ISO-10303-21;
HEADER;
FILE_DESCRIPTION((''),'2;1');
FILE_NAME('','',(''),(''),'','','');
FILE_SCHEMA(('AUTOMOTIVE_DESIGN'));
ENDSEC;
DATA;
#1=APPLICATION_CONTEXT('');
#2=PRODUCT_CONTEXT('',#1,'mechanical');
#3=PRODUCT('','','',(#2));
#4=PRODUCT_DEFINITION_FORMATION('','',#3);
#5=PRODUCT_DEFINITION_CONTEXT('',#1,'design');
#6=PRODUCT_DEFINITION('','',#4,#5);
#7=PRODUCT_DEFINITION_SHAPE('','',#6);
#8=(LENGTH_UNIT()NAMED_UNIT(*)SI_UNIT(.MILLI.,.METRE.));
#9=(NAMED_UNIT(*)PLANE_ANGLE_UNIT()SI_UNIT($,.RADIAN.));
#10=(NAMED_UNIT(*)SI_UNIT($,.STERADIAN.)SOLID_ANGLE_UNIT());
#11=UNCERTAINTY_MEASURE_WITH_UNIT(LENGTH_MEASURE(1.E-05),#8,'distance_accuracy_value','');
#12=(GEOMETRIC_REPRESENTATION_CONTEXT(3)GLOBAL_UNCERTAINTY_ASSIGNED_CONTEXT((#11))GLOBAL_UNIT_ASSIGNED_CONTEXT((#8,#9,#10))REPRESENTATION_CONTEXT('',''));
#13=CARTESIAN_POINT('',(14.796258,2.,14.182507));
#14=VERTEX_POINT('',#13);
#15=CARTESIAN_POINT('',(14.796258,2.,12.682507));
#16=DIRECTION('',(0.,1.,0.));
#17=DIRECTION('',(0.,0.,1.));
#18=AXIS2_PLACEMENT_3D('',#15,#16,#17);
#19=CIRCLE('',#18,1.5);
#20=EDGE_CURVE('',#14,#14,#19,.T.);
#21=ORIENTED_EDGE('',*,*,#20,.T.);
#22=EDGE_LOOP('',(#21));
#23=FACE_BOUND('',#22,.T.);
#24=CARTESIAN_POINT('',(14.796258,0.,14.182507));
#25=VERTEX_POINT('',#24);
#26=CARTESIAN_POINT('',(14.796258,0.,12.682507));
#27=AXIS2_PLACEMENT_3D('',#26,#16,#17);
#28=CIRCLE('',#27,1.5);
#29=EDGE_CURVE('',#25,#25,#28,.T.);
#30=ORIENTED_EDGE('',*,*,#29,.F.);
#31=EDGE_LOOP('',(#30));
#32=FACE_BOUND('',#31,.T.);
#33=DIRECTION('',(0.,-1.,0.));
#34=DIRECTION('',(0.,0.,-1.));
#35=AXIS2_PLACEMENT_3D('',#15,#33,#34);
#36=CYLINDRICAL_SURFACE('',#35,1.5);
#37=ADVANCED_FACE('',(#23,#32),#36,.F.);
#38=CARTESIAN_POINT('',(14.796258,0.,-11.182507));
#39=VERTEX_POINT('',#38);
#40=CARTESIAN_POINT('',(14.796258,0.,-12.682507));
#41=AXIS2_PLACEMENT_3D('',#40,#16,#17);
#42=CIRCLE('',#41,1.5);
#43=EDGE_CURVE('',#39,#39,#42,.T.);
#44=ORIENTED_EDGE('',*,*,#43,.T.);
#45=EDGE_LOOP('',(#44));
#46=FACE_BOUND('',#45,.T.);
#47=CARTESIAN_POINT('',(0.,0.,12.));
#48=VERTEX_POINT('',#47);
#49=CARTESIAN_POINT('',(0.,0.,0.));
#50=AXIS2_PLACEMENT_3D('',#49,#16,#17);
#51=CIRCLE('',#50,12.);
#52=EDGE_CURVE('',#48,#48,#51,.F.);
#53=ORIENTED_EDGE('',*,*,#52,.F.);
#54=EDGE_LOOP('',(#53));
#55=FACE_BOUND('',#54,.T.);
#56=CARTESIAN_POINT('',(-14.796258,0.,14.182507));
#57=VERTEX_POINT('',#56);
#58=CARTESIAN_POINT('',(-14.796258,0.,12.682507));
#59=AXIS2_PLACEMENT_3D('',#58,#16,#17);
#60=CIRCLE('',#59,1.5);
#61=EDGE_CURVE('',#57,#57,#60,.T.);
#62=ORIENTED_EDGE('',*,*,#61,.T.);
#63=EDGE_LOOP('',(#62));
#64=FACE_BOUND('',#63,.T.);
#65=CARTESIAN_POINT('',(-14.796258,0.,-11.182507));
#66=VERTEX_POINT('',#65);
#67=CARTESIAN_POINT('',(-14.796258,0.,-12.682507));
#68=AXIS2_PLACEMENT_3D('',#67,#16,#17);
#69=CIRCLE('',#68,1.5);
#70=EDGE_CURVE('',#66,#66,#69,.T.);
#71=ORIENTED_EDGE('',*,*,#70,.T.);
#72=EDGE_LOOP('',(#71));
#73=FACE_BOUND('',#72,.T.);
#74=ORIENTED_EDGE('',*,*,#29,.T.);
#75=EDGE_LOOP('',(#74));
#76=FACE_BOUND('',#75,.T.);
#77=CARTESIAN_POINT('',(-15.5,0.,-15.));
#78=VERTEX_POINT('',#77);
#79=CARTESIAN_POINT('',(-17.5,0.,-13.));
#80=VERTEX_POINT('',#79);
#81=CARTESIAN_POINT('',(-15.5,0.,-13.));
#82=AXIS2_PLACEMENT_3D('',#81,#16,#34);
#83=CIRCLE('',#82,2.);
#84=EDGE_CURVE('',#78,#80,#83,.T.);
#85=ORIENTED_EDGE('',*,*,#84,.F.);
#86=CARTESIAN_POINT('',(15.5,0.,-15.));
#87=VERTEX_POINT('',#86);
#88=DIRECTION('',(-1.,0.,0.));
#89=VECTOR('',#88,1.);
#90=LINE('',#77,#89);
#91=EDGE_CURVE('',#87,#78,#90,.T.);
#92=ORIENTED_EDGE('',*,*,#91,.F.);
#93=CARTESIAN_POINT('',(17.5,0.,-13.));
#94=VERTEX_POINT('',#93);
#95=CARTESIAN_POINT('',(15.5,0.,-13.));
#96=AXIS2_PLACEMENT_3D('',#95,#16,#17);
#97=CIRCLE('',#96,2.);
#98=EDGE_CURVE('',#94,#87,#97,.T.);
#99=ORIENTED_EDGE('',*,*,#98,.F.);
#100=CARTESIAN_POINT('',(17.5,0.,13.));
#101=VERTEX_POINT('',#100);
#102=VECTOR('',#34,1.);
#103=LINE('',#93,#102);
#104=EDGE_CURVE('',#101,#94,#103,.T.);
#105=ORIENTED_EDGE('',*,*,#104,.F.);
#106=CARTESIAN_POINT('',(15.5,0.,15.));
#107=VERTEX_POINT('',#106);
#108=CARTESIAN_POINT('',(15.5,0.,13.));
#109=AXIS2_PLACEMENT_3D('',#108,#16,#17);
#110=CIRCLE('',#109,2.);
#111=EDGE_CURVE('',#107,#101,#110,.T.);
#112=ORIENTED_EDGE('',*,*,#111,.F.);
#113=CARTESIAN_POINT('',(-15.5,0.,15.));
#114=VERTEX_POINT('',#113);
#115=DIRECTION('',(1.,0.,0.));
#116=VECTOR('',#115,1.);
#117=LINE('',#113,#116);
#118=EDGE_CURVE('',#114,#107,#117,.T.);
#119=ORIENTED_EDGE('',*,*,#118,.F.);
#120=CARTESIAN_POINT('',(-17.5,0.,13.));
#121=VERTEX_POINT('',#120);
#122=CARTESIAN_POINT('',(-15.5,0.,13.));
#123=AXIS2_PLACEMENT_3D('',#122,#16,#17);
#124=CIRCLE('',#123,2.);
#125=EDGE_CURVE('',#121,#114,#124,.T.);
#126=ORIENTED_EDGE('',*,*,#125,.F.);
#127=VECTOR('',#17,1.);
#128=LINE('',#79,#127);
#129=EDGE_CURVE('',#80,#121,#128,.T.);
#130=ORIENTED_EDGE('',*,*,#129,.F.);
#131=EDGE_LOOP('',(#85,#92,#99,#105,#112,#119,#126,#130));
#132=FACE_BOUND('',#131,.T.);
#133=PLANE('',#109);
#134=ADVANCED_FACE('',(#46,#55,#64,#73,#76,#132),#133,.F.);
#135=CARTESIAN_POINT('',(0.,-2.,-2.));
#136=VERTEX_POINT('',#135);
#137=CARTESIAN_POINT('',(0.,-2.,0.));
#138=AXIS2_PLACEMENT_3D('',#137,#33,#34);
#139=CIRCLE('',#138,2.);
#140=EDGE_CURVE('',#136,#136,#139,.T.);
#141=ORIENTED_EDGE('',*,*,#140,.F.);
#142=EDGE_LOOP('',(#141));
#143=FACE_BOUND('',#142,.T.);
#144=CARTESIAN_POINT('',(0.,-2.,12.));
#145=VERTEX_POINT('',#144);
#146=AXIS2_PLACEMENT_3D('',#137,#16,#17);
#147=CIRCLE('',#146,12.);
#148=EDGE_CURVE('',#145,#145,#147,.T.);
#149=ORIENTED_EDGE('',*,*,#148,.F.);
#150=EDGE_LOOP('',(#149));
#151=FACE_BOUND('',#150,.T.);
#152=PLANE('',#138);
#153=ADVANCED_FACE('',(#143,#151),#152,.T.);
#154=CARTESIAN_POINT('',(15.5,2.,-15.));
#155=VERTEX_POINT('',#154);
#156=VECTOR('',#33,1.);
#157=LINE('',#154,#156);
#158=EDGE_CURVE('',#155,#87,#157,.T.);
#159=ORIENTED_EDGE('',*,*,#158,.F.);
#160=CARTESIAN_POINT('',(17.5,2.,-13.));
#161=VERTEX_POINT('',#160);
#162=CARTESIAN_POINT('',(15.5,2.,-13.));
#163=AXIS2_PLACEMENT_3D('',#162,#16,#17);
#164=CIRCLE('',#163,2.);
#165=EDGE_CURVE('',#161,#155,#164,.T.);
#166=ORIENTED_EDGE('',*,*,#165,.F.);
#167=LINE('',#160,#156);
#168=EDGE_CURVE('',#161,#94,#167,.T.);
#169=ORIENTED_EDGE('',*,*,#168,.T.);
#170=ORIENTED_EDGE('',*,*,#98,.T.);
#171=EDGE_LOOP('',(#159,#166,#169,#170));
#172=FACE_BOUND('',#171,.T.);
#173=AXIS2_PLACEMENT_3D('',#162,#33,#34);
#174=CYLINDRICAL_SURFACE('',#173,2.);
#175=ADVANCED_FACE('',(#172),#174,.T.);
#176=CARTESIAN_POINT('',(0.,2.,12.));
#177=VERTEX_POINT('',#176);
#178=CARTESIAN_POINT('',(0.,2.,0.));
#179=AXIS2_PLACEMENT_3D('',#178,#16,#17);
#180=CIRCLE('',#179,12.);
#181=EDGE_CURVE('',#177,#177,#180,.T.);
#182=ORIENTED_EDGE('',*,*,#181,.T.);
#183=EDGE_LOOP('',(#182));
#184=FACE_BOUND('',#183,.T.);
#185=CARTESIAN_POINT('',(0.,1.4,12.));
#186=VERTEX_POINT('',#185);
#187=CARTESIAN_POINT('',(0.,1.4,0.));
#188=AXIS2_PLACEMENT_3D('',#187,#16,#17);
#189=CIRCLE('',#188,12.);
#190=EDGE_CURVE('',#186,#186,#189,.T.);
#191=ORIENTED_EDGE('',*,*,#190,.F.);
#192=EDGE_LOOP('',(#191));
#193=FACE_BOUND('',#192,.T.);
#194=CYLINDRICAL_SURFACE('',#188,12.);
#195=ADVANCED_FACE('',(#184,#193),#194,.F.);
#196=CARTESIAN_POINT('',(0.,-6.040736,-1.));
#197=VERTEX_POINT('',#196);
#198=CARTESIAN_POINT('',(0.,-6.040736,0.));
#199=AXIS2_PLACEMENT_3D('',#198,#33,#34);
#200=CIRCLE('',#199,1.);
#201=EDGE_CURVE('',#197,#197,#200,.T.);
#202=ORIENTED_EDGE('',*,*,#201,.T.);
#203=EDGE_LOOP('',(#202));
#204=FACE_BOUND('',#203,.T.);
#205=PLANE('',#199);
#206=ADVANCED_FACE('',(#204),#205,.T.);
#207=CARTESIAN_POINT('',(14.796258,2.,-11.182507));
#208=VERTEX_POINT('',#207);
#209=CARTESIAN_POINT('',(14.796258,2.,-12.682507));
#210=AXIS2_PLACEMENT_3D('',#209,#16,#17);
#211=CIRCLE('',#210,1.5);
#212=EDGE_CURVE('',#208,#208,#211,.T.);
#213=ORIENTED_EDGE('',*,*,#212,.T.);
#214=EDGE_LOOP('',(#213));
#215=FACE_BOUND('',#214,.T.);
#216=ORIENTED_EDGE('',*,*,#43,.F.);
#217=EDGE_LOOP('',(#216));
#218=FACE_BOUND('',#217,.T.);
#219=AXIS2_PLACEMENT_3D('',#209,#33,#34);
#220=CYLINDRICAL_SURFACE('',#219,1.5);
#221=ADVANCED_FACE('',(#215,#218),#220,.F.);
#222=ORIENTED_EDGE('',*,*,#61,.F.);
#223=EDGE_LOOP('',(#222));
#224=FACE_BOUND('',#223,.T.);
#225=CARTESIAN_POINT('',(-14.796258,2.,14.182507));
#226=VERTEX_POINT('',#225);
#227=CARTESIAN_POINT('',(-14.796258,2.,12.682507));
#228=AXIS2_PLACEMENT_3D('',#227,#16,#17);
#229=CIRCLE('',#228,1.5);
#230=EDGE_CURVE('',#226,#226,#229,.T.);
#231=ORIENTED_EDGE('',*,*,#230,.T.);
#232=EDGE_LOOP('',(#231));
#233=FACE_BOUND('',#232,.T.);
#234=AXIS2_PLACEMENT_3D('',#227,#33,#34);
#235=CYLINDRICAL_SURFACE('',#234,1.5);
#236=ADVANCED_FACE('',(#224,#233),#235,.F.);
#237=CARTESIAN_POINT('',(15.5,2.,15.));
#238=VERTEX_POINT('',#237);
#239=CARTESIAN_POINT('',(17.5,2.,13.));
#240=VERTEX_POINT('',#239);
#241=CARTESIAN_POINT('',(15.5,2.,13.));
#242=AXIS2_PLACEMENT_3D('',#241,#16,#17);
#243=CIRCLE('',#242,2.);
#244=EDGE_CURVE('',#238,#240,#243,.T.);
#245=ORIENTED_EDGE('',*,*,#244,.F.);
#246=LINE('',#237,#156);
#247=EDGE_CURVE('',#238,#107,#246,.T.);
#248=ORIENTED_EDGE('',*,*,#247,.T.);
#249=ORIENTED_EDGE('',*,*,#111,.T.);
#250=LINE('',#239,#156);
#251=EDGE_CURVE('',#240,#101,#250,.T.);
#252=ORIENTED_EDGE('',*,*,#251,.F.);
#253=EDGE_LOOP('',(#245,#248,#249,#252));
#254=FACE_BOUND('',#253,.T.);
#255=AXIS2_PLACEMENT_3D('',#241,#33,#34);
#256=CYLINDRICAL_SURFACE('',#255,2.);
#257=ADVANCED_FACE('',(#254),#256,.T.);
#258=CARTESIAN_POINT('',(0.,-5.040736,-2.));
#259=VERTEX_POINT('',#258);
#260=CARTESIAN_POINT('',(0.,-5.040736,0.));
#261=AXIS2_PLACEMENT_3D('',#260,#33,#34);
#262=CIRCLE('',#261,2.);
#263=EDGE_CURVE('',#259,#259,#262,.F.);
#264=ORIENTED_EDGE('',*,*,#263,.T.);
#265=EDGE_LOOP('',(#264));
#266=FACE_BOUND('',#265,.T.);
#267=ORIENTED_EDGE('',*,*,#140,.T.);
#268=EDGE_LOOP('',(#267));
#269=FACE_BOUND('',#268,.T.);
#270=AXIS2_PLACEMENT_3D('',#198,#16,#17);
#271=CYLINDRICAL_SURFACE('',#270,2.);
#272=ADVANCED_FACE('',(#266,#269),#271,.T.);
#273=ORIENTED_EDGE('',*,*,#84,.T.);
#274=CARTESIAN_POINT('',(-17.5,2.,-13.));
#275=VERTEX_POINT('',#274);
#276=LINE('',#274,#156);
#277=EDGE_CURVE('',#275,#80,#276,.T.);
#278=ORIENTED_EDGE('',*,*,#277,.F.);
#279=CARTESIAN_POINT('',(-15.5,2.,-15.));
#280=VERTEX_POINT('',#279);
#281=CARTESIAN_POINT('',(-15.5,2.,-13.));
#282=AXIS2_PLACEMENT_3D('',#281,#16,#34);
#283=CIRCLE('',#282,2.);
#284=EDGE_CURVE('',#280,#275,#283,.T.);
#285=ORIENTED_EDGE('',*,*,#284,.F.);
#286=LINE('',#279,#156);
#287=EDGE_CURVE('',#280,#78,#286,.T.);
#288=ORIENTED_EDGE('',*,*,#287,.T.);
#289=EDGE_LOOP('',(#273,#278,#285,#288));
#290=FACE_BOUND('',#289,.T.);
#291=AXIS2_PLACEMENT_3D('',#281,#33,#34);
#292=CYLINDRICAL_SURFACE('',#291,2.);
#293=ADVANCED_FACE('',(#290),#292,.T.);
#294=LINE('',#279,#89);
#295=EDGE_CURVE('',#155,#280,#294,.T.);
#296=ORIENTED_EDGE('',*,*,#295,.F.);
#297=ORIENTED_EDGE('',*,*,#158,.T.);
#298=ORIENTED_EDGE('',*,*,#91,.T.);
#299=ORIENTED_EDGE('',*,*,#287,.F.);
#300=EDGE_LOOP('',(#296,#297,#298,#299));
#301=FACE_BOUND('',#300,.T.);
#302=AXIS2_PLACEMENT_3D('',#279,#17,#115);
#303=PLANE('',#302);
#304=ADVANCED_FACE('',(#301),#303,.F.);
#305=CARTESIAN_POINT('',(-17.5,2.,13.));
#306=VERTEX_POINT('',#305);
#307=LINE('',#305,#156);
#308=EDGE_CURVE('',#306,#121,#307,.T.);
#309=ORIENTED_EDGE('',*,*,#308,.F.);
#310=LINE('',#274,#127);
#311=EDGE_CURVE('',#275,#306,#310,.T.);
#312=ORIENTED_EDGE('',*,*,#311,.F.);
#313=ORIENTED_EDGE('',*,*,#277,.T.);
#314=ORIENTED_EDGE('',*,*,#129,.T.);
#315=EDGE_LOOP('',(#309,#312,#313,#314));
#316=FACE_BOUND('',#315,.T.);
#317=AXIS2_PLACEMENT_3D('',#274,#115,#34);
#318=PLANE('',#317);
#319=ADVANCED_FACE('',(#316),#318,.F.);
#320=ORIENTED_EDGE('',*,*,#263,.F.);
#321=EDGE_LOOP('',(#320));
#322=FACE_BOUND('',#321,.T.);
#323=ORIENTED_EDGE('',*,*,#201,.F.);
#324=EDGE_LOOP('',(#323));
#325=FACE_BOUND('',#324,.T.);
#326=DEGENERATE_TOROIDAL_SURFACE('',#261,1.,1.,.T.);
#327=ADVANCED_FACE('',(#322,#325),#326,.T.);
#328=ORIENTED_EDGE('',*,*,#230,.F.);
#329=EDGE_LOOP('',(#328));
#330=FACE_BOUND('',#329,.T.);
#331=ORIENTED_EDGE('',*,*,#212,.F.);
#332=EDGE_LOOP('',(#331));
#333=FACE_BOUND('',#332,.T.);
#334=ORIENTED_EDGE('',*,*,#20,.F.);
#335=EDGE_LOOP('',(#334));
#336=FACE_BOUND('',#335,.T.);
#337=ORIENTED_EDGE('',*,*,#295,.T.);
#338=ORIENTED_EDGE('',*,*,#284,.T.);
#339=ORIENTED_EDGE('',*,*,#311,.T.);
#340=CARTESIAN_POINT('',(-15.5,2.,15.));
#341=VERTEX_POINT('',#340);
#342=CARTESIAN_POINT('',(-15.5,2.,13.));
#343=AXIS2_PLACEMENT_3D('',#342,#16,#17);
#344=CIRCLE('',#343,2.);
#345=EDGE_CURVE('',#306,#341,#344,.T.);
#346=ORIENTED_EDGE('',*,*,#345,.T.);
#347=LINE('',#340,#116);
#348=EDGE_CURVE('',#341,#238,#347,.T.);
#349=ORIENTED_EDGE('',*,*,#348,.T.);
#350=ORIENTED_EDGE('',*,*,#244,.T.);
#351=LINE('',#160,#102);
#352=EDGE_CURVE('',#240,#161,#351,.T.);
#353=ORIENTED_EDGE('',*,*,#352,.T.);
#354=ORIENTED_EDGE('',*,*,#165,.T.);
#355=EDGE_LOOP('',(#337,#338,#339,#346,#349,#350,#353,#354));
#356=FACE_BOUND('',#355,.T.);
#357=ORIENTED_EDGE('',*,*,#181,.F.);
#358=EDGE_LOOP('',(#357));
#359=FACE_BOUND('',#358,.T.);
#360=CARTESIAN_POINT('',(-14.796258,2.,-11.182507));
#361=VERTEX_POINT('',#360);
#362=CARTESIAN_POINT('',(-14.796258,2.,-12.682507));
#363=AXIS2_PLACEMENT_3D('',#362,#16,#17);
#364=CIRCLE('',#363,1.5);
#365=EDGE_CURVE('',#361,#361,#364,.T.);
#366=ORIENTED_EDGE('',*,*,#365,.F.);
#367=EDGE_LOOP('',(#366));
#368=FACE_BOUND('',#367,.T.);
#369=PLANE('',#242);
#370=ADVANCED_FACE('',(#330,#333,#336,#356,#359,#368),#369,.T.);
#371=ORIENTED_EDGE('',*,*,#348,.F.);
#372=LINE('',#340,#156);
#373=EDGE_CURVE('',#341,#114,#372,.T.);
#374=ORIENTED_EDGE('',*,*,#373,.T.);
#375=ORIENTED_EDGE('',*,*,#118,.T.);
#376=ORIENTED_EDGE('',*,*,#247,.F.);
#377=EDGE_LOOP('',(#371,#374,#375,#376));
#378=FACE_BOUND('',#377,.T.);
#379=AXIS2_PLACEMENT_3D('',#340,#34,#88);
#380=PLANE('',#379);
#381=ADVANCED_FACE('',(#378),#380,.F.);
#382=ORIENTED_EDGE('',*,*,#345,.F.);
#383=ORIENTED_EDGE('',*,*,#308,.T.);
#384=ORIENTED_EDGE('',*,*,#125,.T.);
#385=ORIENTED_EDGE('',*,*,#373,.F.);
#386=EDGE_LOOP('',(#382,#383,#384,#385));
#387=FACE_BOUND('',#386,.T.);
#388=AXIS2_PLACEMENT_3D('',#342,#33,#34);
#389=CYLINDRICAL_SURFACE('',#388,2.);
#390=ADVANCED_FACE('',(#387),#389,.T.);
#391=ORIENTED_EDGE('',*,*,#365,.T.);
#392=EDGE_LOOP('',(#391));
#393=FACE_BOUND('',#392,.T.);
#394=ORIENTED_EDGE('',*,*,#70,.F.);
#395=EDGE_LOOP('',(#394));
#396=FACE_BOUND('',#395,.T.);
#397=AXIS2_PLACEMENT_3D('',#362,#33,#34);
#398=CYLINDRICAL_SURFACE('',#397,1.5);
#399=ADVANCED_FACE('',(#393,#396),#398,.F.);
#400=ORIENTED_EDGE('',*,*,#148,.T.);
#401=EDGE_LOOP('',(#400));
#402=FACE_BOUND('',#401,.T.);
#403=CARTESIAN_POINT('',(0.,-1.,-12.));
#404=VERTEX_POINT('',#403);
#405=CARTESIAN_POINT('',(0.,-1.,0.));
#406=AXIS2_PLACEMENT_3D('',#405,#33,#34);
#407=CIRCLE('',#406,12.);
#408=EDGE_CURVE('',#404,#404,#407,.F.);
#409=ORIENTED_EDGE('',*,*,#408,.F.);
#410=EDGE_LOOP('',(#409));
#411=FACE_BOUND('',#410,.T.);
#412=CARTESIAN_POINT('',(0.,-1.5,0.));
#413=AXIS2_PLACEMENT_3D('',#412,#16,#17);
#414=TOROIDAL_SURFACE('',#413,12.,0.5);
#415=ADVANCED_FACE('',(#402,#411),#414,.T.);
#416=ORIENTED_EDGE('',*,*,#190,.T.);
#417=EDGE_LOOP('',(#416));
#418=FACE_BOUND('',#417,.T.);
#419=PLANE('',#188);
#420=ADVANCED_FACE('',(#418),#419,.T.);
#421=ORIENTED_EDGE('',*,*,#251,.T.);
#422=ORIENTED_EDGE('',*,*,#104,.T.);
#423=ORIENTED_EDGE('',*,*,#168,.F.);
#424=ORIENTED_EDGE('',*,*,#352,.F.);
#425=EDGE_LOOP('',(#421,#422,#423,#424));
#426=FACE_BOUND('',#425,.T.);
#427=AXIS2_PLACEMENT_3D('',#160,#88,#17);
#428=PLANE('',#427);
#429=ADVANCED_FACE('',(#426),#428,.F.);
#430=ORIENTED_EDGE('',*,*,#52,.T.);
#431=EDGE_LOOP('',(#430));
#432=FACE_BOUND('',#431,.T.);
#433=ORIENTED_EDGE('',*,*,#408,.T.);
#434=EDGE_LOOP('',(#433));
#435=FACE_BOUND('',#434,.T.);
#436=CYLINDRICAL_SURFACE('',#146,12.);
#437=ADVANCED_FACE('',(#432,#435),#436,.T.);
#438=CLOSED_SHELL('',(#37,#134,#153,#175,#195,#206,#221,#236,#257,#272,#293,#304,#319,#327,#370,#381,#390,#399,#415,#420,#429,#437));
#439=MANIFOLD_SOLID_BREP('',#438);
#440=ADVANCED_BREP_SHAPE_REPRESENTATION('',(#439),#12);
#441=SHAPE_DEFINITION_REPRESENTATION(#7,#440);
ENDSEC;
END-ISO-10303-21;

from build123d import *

# Parameters (mm, degrees)
SKETCH1_R           = 1.5
BOSS_EXTRUDE2_DEPTH = 2
SKETCH3_R           = 12
BOSS_EXTRUDE3_DEPTH = 2
SKETCH4_R           = 0.5
SKETCH5_R           = 2
BOSS_EXTRUDE4_DEPTH = 4.040735944
FILLET1_R           = 1
SKETCH7_R           = 12
CUT_EXTRUDE3_DEPTH  = 0.6


with BuildPart() as part:
    # Sketch1 → Boss-Extrude2 (new body)
    with BuildSketch(Plane(origin=(0, 0, 0), x_dir=(1, 0, 0), z_dir=(0, 1, 0))):
        with BuildLine():
            Line((-15.5, 15), (15.5, 15))
            ThreePointArc((15.5, 15), (16.914213562, 14.414213562), (17.5, 13))
            Line((17.5, 13), (17.5, -13))
            ThreePointArc((17.5, -13), (16.914213562, -14.414213562), (15.5, -15))
            Line((15.5, -15), (-15.5, -15))
            ThreePointArc((-15.5, -15), (-16.914213562, -14.414213562), (-17.5, -13))
            Line((-17.5, -13), (-17.5, 13))
            ThreePointArc((-17.5, 13), (-16.914213562, 14.414213562), (-15.5, 15))
        make_face()
        with Locations(Location((-14.79625841, 12.682507209, 0), (0, 0, 270))):
            Circle(SKETCH1_R, mode=Mode.SUBTRACT)
        with Locations(Location((-14.79625841, -12.682507209, 0), (0, 0, 270))):
            Circle(SKETCH1_R, mode=Mode.SUBTRACT)
        with Locations(Location((14.79625841, 12.682507209, 0), (0, 0, 270))):
            Circle(SKETCH1_R, mode=Mode.SUBTRACT)
        with Locations(Location((14.79625841, -12.682507209, 0), (0, 0, 270))):
            Circle(SKETCH1_R, mode=Mode.SUBTRACT)
    extrude(amount=BOSS_EXTRUDE2_DEPTH)

    # Sketch3 → Boss-Extrude3 (add)
    with BuildSketch(Plane.XZ):
        with Locations(Location((0, 0, 0), (0, 0, 90))):
            Circle(SKETCH3_R)
    extrude(amount=BOSS_EXTRUDE3_DEPTH)

    # Sketch4 → Revolve1 (revolve)
    with BuildSketch(Plane(origin=(0, 0, 0), x_dir=(0, 0, -1), z_dir=(1, 0, 0))):
        with Locations((-12, -1.5)):
            Circle(SKETCH4_R)
    revolve(axis=Axis((0, 0, 0), (0, -1, 0)))

    # Sketch5 → Boss-Extrude4 (add)
    with BuildSketch(Plane.XZ.offset(2)):
        with Locations(Location((0, 0, 0), (0, 0, 270))):
            Circle(SKETCH5_R)
    extrude(amount=BOSS_EXTRUDE4_DEPTH)

    # Fillet1
    fillet1_edges = [part.edges().sort_by_distance(p)[0] for p in [
        (0, -6.040735944, 2),
    ]]
    fillet(fillet1_edges, radius=FILLET1_R)

    # Sketch7 → Cut-Extrude3 (cut)
    with BuildSketch(Plane(origin=(0, 2, 0), x_dir=(1, 0, 0), z_dir=(0, 1, 0))):
        with Locations(Location((0, 0, 0), (0, 0, 270))):
            Circle(SKETCH7_R)
    extrude(amount=-CUT_EXTRUDE3_DEPTH, mode=Mode.SUBTRACT)


solid = part.part
